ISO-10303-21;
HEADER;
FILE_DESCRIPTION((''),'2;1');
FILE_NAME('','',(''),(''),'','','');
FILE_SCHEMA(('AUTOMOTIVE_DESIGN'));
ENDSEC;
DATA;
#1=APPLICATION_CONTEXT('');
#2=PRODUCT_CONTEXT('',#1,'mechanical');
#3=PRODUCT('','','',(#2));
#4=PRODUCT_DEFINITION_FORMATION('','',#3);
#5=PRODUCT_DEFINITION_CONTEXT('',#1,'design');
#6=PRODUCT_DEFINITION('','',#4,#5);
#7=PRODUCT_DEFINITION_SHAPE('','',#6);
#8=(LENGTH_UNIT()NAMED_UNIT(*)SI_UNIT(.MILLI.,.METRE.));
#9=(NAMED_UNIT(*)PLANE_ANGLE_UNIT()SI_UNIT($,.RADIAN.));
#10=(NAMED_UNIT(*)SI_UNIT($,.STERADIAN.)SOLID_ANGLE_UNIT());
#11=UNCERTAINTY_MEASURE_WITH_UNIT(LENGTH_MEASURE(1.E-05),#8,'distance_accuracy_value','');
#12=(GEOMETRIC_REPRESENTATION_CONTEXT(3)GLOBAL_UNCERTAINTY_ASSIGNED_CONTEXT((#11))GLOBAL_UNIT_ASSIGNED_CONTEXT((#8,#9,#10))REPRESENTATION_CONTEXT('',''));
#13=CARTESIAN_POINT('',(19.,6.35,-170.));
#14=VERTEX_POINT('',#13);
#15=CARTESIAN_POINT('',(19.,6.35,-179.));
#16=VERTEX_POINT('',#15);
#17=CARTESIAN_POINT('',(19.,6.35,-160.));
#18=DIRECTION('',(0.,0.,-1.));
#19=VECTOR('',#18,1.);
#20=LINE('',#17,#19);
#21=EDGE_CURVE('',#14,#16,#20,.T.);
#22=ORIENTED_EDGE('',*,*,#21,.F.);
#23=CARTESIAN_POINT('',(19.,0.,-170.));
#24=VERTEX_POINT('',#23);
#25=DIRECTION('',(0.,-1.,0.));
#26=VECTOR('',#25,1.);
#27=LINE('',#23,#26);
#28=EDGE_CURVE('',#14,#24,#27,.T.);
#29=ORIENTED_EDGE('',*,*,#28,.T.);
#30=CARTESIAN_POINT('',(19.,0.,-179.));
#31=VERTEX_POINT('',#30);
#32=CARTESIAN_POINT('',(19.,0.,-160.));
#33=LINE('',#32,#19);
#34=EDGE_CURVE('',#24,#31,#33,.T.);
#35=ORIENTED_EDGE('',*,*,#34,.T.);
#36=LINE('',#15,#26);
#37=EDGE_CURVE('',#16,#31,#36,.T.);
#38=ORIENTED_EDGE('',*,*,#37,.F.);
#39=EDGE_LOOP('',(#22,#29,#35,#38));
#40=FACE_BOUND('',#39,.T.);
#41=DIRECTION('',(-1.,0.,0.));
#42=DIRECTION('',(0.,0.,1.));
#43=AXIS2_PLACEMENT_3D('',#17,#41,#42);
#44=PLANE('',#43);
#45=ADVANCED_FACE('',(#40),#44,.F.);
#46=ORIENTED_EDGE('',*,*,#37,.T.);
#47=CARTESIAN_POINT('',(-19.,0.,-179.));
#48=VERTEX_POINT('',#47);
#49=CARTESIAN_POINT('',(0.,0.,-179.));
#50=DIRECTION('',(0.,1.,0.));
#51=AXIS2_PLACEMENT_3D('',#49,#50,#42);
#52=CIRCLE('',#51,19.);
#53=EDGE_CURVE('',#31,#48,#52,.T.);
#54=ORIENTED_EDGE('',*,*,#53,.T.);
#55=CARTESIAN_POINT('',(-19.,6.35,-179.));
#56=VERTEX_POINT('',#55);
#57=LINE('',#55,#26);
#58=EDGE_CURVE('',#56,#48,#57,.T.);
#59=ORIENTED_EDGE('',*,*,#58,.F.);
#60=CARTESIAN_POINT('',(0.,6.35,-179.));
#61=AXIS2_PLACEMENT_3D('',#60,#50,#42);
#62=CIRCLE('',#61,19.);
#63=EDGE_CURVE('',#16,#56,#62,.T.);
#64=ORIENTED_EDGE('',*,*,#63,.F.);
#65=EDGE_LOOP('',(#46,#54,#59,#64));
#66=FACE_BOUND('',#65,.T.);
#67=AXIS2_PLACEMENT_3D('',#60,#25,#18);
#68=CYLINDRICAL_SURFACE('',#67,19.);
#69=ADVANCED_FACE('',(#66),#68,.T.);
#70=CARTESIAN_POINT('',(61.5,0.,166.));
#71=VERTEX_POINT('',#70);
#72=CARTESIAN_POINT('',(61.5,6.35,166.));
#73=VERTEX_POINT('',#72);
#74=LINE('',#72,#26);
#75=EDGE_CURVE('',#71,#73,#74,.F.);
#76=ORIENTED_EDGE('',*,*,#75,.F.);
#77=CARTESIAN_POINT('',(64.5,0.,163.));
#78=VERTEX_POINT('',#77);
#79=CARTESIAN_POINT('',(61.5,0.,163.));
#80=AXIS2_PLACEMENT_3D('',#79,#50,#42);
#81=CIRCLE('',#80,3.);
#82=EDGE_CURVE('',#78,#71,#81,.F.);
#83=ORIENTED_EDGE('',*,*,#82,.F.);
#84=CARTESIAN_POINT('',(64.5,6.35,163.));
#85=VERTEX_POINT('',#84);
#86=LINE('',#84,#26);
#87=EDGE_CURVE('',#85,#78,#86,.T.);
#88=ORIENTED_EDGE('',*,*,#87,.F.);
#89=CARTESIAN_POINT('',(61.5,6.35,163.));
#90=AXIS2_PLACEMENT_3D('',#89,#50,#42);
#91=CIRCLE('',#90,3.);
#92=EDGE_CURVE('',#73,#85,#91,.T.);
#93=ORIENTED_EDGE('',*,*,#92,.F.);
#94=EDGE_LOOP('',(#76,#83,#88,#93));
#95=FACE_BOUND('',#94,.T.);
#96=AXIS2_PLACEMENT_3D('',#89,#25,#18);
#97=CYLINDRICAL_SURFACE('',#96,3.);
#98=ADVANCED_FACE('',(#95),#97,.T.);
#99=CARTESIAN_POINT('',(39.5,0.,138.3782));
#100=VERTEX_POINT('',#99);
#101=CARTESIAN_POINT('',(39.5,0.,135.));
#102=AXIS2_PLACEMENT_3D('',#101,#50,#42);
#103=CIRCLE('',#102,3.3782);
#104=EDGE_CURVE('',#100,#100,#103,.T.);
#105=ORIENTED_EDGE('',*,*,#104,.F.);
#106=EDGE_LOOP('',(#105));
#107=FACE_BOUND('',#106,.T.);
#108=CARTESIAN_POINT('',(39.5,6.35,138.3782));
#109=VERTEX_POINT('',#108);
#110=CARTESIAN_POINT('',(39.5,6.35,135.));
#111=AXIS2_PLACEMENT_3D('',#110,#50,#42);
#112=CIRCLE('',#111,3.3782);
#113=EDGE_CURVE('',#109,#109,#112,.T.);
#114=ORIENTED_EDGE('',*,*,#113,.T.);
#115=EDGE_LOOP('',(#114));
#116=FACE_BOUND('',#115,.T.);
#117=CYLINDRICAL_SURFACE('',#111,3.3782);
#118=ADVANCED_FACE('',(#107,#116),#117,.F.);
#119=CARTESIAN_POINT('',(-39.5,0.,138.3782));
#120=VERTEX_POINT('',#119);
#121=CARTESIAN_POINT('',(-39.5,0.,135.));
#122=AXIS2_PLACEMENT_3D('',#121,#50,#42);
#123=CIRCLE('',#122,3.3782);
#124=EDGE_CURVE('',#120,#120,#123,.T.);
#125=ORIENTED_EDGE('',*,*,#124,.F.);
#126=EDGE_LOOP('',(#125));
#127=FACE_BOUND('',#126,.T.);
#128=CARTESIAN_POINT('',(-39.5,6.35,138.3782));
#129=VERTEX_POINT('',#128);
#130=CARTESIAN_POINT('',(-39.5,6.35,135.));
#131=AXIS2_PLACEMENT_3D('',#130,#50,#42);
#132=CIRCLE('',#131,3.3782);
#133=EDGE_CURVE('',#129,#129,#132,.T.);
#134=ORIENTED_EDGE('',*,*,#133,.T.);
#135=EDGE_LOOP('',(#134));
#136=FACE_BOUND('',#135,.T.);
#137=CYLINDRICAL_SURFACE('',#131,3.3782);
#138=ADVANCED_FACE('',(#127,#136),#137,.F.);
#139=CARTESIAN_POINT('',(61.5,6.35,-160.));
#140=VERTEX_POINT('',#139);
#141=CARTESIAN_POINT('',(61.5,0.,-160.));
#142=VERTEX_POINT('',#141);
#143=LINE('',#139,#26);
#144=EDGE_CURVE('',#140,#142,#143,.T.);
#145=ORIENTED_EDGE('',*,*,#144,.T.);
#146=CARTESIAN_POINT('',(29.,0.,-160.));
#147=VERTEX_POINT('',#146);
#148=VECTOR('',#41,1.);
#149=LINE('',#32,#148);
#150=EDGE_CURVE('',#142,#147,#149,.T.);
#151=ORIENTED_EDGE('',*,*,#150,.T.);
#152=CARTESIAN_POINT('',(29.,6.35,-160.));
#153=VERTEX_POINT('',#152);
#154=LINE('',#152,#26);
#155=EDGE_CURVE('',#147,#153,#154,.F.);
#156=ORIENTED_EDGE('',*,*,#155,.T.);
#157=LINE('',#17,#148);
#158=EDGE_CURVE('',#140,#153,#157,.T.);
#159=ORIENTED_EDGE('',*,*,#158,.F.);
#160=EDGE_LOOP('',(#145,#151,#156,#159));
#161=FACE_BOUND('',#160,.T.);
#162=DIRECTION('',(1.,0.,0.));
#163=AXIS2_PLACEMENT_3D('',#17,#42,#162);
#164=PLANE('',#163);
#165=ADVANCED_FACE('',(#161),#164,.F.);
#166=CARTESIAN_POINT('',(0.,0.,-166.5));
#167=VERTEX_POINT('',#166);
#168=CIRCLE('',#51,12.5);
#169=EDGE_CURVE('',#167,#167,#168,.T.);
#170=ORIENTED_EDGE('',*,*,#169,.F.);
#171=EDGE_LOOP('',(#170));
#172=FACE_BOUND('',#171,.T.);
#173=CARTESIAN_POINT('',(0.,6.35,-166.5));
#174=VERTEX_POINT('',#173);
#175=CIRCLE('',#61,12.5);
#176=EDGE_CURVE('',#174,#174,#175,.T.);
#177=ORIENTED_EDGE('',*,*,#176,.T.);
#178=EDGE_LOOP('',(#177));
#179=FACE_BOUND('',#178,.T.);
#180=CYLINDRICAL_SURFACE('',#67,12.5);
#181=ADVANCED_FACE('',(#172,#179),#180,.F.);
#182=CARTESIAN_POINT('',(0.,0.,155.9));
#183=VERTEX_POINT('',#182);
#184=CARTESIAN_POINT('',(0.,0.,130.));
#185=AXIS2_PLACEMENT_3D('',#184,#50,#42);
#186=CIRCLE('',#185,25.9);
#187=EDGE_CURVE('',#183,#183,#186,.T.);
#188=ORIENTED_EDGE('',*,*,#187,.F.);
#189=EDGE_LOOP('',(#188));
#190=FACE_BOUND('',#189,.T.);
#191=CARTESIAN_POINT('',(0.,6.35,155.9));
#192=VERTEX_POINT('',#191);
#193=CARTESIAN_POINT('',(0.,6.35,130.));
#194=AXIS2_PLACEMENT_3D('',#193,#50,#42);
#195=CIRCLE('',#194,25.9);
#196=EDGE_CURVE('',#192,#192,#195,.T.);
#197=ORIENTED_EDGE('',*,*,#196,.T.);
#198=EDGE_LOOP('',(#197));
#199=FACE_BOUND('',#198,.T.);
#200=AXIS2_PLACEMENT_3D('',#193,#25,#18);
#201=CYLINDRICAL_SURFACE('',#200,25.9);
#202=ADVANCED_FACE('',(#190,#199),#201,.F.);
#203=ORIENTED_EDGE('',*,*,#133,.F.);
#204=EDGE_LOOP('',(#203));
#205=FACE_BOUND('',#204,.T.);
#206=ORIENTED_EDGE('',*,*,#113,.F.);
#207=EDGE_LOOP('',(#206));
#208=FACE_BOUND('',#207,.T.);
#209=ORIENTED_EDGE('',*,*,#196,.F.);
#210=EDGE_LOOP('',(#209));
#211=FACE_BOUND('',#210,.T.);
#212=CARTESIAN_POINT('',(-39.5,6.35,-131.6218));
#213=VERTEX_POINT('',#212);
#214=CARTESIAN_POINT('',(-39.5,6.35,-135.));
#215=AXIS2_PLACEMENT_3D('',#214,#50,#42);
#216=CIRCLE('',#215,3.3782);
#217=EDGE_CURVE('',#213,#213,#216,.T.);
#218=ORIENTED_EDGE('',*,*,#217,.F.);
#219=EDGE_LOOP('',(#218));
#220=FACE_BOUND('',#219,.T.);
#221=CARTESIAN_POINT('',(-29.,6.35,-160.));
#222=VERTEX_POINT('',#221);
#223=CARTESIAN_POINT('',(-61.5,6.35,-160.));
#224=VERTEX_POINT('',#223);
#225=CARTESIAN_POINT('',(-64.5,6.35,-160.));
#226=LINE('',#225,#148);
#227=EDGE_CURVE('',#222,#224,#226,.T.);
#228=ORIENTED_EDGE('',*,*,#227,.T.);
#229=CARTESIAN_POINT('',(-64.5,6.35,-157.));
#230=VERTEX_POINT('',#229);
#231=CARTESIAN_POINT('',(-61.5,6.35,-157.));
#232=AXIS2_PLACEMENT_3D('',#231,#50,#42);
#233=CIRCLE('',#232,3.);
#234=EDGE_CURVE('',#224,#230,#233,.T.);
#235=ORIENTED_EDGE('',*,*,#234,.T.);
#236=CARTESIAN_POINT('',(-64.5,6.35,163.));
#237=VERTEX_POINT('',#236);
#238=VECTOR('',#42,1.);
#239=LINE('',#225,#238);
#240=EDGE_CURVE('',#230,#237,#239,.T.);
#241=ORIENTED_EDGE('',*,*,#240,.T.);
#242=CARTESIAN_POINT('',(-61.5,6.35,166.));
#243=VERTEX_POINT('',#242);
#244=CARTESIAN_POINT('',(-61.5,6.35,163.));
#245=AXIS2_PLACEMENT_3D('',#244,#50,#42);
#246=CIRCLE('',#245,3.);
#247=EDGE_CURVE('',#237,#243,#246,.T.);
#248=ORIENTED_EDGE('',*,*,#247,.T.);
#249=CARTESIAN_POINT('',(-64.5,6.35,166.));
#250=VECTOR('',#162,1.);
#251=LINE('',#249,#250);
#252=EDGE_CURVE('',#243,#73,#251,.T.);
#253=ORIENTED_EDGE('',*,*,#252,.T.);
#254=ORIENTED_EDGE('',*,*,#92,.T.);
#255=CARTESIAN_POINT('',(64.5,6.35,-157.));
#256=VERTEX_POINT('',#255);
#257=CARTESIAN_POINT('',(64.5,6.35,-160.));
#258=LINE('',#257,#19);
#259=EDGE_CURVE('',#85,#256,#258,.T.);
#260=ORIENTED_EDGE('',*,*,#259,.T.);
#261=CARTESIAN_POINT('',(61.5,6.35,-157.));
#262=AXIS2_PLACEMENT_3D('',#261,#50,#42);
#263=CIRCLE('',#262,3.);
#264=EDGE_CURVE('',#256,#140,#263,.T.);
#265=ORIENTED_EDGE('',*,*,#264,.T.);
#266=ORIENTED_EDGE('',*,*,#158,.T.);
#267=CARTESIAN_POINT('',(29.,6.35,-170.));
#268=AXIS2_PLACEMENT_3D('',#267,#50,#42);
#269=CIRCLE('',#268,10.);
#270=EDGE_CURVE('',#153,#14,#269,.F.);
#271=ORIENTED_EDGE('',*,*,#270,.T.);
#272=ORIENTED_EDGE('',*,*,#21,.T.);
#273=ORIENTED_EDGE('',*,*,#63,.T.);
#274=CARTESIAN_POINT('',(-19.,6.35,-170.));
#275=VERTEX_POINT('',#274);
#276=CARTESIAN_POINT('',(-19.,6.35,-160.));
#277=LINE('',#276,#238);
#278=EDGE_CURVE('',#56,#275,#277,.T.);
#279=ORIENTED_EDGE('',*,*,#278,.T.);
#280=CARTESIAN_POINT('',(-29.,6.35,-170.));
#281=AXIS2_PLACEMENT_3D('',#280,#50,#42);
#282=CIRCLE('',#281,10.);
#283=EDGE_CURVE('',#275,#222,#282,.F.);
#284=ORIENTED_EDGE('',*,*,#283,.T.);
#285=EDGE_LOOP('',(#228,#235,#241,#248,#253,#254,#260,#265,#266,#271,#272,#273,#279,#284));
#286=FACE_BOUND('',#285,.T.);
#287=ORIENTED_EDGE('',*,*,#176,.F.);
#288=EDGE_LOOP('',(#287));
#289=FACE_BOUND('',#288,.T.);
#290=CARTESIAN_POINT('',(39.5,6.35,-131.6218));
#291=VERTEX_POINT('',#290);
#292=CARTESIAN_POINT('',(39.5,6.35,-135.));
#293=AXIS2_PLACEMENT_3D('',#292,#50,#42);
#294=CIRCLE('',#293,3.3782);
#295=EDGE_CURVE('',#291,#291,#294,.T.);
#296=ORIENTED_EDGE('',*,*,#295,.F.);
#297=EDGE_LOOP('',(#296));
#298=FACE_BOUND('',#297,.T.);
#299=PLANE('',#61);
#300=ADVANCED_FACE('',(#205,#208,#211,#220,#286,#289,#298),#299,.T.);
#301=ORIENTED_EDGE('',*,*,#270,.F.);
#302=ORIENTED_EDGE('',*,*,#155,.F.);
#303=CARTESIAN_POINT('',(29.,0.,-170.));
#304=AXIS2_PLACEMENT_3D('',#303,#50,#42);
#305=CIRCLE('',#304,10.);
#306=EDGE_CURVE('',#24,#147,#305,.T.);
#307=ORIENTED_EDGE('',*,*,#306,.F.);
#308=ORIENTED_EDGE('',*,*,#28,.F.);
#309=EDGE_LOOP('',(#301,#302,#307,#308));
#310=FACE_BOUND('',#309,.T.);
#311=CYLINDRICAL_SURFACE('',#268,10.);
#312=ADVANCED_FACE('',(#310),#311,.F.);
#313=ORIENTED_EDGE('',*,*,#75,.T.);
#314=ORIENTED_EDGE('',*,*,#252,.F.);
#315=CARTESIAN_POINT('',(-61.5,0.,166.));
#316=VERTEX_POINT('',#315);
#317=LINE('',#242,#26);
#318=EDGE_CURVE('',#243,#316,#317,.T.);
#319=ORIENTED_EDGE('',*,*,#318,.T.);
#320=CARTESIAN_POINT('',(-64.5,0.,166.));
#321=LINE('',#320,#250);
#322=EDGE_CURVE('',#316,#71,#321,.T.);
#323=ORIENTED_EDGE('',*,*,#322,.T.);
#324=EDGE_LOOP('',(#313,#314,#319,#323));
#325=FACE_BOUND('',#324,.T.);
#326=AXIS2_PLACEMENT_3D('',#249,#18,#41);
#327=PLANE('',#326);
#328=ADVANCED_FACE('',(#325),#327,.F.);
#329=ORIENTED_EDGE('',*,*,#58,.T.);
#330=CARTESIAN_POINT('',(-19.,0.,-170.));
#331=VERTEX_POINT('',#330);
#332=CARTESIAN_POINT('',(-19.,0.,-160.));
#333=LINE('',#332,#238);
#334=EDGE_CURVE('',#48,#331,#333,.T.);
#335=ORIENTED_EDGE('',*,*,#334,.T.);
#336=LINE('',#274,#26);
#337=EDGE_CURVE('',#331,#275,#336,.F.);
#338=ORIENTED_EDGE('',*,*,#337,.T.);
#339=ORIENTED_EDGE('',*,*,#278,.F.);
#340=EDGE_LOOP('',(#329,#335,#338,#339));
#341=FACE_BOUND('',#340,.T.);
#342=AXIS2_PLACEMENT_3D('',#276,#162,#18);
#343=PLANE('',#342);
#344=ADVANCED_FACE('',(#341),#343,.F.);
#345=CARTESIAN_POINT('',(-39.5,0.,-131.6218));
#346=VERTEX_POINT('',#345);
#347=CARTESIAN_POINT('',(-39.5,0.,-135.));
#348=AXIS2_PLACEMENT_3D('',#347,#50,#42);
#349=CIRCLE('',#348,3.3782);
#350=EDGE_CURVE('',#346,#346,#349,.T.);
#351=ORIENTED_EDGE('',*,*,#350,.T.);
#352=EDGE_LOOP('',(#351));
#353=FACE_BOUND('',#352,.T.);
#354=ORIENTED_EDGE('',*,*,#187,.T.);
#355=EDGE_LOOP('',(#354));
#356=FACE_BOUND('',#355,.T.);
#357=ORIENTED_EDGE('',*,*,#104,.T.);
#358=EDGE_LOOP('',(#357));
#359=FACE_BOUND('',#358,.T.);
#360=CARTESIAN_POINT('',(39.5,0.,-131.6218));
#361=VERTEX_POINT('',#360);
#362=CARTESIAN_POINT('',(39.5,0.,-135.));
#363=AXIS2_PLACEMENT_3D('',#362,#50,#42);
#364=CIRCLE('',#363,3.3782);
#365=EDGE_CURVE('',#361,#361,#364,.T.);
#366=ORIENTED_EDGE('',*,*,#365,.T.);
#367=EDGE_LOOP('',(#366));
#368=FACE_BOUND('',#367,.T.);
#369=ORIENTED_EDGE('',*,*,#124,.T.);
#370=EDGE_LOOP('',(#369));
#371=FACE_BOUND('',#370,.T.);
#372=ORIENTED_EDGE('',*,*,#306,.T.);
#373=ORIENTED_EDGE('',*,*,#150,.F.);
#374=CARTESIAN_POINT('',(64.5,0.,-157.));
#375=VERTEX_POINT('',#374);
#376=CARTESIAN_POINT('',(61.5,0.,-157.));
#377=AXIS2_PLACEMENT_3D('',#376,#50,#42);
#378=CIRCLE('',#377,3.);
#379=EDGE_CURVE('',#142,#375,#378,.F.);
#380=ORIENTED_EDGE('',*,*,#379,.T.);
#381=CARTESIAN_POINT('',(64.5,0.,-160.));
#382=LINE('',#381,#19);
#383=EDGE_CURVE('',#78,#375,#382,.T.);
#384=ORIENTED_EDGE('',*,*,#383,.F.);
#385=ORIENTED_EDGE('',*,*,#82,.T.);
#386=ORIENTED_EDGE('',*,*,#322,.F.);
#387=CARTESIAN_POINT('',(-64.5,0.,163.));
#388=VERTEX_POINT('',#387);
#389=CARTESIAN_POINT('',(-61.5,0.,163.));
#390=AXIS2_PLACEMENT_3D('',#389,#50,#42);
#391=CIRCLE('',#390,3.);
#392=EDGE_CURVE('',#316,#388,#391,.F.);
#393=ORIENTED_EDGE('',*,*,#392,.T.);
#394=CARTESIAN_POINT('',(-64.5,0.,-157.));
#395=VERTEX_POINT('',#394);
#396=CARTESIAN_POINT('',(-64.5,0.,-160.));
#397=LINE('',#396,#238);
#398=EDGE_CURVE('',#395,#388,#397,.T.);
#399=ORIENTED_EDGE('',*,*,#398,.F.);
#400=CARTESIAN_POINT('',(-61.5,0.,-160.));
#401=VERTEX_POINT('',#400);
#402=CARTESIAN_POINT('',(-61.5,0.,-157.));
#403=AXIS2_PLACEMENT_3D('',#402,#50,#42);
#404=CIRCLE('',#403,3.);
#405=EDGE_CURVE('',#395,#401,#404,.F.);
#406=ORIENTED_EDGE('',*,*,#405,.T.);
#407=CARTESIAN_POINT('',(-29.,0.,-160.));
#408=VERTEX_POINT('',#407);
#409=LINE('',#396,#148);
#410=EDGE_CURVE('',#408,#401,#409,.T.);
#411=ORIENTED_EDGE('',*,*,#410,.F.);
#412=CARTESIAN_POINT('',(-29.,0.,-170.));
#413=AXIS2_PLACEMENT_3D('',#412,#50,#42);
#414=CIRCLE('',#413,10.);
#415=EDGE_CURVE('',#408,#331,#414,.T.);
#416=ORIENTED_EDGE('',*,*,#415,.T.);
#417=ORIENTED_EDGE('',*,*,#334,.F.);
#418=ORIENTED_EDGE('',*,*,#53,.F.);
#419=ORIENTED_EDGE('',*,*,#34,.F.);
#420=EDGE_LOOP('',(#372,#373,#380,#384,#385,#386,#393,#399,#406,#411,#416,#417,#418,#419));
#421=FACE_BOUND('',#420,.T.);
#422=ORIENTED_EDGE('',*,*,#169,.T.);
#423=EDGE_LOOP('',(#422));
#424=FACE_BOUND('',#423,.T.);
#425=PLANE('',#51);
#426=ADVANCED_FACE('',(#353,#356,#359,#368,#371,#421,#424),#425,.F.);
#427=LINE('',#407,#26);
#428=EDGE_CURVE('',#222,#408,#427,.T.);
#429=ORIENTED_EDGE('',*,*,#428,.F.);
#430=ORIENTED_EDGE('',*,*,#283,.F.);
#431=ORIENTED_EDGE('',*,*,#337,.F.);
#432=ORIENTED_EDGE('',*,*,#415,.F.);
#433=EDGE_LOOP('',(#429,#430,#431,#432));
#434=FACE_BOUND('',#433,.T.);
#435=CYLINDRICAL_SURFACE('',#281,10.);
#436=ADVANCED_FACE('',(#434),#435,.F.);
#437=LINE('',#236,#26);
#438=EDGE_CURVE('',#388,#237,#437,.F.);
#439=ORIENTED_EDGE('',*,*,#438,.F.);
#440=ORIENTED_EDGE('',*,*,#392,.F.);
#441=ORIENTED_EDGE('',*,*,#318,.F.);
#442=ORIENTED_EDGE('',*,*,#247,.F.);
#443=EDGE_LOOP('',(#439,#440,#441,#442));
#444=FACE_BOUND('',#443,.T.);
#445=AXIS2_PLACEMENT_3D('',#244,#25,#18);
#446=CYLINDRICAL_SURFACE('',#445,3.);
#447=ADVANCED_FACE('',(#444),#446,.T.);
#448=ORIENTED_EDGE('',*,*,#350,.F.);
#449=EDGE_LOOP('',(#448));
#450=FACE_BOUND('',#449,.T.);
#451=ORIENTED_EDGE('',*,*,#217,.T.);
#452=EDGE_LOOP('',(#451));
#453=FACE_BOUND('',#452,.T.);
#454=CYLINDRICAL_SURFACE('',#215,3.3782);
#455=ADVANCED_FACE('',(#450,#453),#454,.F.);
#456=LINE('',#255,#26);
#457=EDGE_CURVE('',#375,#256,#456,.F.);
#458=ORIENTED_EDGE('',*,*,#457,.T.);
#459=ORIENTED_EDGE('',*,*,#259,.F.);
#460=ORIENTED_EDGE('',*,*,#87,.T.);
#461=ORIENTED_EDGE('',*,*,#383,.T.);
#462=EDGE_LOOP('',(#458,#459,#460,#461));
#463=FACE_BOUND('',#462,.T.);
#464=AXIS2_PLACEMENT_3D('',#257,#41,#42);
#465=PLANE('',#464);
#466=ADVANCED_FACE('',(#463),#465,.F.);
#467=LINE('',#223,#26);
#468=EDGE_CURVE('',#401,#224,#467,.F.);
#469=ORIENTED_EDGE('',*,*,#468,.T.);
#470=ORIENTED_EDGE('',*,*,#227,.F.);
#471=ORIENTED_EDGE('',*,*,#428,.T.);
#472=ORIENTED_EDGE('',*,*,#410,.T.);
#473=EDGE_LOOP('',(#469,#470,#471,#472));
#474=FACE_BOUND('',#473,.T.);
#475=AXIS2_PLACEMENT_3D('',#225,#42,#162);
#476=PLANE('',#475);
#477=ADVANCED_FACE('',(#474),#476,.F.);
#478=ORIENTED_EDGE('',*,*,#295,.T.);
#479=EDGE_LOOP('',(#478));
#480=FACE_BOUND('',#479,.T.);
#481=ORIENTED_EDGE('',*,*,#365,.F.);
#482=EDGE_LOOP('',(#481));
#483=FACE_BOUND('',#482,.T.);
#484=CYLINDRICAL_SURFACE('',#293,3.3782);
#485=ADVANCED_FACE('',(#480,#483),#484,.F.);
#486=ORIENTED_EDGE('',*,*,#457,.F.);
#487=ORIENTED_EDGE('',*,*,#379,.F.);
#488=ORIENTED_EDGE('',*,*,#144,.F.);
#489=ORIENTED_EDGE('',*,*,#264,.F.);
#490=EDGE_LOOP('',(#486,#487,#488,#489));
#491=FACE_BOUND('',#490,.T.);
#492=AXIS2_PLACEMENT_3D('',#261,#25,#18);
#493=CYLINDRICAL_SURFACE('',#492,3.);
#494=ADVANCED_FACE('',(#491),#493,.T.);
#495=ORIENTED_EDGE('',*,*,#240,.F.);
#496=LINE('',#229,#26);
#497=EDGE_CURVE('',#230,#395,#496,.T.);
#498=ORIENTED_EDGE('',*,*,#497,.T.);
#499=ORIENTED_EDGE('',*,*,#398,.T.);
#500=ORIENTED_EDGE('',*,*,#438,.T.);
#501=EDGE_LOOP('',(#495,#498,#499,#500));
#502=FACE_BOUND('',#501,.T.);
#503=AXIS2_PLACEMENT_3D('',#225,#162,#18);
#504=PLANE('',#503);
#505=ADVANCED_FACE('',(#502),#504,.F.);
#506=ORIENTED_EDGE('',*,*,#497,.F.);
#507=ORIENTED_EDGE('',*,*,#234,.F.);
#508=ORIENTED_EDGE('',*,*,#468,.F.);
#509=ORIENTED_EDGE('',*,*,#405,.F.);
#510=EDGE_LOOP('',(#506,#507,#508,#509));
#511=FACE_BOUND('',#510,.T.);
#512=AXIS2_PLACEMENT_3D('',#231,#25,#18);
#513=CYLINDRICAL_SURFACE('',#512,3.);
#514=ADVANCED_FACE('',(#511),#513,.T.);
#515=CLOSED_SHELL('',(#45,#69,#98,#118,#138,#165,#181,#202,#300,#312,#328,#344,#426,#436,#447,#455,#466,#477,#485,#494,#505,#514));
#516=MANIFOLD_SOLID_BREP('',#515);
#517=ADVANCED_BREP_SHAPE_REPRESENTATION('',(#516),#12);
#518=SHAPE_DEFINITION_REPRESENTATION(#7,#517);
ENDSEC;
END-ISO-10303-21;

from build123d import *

# Parameters (mm, degrees)
SKETCH1_R                   = 25.9
SKETCH1_R_2                 = 12.5
BOSS_EXTRUDE1_DEPTH         = 6.35
F_1_4_CLEARANCE_HOLE1_D     = 6.7564
F_1_4_CLEARANCE_HOLE1_DEPTH = 19.53
F_1_4_CLEARANCE_HOLE1_TIP   = 2.029827343
FILLET1_R                   = 10
FILLET2_R                   = 3


with BuildPart() as part:
    # Sketch1 → Boss-Extrude1 (new body)
    with BuildSketch(Plane(origin=(0, 0, 0), x_dir=(1, 0, 0), z_dir=(0, 1, 0))):
        with BuildLine():
            Line((-64.5, 160), (-19, 160))
            Line((-19, 160), (-19, 179))
            ThreePointArc((-19, 179), (0, 198), (19, 179))
            Line((19, 179), (19, 160))
            Line((19, 160), (64.5, 160))
            Line((64.5, 160), (64.5, -166))
            Line((64.5, -166), (-64.5, -166))
            Line((-64.5, -166), (-64.5, 160))
        make_face()
        with Locations(Location((0, -130, 0), (0, 0, 270))):  # turned: the seam where the file's is
            Circle(SKETCH1_R, mode=Mode.SUBTRACT)
        with Locations(Location((0, 179, 0), (0, 0, 270))):  # turned: the seam where the file's is
            Circle(SKETCH1_R_2, mode=Mode.SUBTRACT)
    extrude(amount=BOSS_EXTRUDE1_DEPTH)

    # 1/4 Clearance Hole1
    with Locations(Plane(origin=(0, 6.35, 0), x_dir=(1, 0, 0), z_dir=(0, 1, 0))):
        with Locations((-39.5, 135), (39.5, 135), (39.5, -135), (-39.5, -135)):
            Hole(F_1_4_CLEARANCE_HOLE1_D / 2, depth=F_1_4_CLEARANCE_HOLE1_DEPTH)
            with Locations((0, 0, -(F_1_4_CLEARANCE_HOLE1_DEPTH + F_1_4_CLEARANCE_HOLE1_TIP / 2))):  # 118° drill point
                Cone(0, F_1_4_CLEARANCE_HOLE1_D / 2, F_1_4_CLEARANCE_HOLE1_TIP, mode=Mode.SUBTRACT)

    # Fillet1
    fillet1_edges = [part.edges().sort_by_distance(p)[0] for p in [
        (-19, 3.175, -160),
        (19, 3.175, -160),
    ]]
    fillet(fillet1_edges, radius=FILLET1_R)

    # Fillet2
    fillet2_edges = [part.edges().sort_by_distance(p)[0] for p in [
        (64.5, 3.175, 166),
        (-64.5, 3.175, 166),
        (-64.5, 3.175, -160),
        (64.5, 3.175, -160),
    ]]
    fillet(fillet2_edges, radius=FILLET2_R)


solid = part.part
